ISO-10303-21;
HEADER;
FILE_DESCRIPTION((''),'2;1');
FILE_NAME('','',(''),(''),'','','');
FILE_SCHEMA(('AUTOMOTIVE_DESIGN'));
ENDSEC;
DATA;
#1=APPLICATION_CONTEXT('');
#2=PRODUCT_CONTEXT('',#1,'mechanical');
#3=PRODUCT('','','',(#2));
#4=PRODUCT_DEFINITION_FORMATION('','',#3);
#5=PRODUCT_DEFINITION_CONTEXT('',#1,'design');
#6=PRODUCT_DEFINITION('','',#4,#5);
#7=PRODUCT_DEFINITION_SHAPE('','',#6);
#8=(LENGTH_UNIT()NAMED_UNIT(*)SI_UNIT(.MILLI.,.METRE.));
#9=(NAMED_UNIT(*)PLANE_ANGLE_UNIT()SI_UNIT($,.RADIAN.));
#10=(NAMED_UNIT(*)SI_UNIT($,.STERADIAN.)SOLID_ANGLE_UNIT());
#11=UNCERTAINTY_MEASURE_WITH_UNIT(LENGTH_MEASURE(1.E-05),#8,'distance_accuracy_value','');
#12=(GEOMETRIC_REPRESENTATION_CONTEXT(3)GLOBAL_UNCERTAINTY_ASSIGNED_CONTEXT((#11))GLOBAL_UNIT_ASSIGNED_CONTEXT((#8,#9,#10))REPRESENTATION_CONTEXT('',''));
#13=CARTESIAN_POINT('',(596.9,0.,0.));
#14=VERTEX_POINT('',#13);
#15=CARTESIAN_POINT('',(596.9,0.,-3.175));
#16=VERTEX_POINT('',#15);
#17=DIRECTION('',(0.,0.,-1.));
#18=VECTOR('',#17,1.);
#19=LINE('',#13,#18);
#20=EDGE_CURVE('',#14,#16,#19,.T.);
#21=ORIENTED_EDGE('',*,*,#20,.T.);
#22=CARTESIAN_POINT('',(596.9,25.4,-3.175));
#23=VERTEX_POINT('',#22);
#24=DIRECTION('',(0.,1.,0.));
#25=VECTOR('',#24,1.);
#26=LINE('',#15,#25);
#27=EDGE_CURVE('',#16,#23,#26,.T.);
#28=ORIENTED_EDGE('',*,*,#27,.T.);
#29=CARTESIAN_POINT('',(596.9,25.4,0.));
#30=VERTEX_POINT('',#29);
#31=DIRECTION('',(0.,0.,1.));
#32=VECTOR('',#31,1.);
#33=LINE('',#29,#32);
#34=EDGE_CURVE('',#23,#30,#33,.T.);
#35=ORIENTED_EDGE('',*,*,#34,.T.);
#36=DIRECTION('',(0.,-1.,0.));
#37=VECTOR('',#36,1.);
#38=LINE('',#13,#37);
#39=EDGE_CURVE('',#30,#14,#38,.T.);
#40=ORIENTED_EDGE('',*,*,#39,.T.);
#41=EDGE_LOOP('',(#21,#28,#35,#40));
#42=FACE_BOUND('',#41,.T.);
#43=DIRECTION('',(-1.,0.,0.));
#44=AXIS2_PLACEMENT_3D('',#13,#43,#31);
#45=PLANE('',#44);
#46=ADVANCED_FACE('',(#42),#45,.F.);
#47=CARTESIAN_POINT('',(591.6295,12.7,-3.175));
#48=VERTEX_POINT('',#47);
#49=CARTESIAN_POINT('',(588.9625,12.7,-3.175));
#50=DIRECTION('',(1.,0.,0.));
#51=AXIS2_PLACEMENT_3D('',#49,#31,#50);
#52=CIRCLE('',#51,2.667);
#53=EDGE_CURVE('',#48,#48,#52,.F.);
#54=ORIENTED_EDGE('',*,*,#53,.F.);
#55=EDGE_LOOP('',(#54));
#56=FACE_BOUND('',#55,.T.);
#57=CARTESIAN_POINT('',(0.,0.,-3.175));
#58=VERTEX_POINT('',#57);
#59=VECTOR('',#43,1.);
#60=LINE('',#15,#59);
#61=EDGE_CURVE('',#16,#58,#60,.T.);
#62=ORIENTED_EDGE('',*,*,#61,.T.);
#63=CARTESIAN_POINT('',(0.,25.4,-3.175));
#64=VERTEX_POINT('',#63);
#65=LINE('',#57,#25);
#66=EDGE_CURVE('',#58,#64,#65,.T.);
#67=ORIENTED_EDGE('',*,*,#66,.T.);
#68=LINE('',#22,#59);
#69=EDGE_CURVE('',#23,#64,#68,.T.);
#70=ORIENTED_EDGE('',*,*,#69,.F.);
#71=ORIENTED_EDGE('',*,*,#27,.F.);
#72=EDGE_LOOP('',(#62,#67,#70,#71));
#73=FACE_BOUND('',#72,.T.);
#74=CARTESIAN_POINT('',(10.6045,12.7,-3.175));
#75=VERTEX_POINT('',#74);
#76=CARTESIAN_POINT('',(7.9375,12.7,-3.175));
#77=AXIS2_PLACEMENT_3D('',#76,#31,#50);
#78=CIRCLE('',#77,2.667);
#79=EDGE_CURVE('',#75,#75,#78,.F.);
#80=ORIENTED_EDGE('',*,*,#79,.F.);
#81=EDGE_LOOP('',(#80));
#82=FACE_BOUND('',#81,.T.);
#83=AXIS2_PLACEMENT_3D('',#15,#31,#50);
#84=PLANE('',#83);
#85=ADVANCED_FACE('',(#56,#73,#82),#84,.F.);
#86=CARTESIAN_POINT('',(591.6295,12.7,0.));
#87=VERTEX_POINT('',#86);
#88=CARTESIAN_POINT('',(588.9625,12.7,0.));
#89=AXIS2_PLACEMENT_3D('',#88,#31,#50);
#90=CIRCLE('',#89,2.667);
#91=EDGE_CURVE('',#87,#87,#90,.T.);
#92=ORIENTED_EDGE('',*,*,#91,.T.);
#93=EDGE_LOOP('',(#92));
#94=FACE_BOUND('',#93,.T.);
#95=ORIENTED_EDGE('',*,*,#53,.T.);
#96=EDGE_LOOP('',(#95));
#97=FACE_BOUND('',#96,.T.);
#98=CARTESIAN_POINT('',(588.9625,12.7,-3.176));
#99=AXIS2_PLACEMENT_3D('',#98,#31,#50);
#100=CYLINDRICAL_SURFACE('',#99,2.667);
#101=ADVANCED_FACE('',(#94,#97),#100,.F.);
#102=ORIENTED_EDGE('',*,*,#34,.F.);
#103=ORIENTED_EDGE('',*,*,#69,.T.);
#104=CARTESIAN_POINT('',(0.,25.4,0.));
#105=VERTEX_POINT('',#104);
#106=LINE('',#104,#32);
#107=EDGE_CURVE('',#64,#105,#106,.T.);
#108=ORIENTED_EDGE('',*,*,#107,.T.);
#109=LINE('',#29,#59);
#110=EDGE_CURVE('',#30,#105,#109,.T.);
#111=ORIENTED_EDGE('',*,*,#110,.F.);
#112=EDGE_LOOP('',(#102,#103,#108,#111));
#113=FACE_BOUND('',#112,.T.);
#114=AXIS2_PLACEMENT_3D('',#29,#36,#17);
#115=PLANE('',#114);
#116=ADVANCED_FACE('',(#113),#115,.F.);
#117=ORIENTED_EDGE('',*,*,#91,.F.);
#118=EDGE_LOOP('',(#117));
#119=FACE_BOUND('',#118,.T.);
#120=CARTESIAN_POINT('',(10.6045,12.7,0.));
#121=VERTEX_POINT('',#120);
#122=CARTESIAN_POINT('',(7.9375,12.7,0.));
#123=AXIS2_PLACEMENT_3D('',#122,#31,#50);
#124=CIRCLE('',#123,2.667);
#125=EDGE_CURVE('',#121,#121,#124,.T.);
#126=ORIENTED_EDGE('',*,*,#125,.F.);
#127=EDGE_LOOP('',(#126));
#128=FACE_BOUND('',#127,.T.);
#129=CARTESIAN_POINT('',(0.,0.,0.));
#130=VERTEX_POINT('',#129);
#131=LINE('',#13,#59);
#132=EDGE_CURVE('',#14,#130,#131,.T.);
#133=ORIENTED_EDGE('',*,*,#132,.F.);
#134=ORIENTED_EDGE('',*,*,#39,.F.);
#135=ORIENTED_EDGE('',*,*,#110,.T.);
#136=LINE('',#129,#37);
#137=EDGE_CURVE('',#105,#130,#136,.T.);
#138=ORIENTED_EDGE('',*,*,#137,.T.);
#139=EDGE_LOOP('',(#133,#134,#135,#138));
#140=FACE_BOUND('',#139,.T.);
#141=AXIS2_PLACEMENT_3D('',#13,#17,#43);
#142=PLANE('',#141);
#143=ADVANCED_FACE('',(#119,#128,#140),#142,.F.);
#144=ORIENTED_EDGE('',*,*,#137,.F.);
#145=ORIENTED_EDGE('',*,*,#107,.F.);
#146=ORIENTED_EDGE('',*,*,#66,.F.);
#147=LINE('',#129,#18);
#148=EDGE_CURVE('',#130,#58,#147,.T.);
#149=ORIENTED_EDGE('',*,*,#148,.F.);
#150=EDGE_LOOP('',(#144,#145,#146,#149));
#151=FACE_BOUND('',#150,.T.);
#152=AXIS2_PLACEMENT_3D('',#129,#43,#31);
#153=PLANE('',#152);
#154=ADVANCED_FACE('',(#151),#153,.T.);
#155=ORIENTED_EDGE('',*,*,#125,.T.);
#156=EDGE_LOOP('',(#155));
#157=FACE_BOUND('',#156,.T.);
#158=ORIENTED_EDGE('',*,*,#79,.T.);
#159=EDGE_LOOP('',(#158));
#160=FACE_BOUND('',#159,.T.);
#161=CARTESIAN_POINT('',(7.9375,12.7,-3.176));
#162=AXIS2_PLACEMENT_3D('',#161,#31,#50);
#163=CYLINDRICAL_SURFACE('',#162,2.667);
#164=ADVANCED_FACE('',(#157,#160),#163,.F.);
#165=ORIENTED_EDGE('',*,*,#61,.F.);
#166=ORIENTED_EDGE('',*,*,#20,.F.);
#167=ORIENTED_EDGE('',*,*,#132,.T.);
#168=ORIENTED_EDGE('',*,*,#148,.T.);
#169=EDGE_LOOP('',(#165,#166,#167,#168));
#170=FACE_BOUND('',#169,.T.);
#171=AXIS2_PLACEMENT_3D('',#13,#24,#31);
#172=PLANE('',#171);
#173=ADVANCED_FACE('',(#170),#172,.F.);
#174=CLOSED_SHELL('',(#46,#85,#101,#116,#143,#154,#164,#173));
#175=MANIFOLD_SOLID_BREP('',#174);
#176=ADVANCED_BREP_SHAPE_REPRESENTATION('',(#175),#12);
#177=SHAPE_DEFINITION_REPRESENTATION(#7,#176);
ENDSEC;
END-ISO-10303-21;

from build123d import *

# Parameters (mm, degrees)
SKETCH1_W           = 3.175
SKETCH1_H           = 25.4
BOSS_EXTRUDE1_DEPTH = 596.9
CUT_EXTRUDE1_REACH  = 5.175
SKETCH2_R           = 2.667


with BuildPart() as part:
    # Sketch1 → Boss-Extrude1 (new body)
    with BuildSketch(Plane(origin=(0, 0, 0), x_dir=(0, 0, -1), z_dir=(1, 0, 0))):
        with Locations((1.5875, 12.7)):
            Rectangle(SKETCH1_W, SKETCH1_H)
    extrude(amount=BOSS_EXTRUDE1_DEPTH)

    # Sketch2 → Cut-Extrude1 (cut, up to next)
    with BuildSketch(Plane.XY, mode=Mode.PRIVATE) as cut_extrude1_sk1:
        with Locations((7.9375, 12.7)):
            Circle(SKETCH2_R)
    cut_extrude1_tool1 = extrude(cut_extrude1_sk1.sketch, amount=-CUT_EXTRUDE1_REACH, mode=Mode.PRIVATE) & part.part
    add(cut_extrude1_tool1.solids().sort_by_distance((7.9375, 12.7, 0))[0], mode=Mode.SUBTRACT)
    # Sketch2 → Cut-Extrude1 (cut, up to next)
    with BuildSketch(Plane.XY, mode=Mode.PRIVATE) as cut_extrude1_sk2:
        with Locations((588.9625, 12.7)):
            Circle(SKETCH2_R)
    cut_extrude1_tool2 = extrude(cut_extrude1_sk2.sketch, amount=-CUT_EXTRUDE1_REACH, mode=Mode.PRIVATE) & part.part
    add(cut_extrude1_tool2.solids().sort_by_distance((588.9625, 12.7, 0))[0], mode=Mode.SUBTRACT)


solid = part.part
